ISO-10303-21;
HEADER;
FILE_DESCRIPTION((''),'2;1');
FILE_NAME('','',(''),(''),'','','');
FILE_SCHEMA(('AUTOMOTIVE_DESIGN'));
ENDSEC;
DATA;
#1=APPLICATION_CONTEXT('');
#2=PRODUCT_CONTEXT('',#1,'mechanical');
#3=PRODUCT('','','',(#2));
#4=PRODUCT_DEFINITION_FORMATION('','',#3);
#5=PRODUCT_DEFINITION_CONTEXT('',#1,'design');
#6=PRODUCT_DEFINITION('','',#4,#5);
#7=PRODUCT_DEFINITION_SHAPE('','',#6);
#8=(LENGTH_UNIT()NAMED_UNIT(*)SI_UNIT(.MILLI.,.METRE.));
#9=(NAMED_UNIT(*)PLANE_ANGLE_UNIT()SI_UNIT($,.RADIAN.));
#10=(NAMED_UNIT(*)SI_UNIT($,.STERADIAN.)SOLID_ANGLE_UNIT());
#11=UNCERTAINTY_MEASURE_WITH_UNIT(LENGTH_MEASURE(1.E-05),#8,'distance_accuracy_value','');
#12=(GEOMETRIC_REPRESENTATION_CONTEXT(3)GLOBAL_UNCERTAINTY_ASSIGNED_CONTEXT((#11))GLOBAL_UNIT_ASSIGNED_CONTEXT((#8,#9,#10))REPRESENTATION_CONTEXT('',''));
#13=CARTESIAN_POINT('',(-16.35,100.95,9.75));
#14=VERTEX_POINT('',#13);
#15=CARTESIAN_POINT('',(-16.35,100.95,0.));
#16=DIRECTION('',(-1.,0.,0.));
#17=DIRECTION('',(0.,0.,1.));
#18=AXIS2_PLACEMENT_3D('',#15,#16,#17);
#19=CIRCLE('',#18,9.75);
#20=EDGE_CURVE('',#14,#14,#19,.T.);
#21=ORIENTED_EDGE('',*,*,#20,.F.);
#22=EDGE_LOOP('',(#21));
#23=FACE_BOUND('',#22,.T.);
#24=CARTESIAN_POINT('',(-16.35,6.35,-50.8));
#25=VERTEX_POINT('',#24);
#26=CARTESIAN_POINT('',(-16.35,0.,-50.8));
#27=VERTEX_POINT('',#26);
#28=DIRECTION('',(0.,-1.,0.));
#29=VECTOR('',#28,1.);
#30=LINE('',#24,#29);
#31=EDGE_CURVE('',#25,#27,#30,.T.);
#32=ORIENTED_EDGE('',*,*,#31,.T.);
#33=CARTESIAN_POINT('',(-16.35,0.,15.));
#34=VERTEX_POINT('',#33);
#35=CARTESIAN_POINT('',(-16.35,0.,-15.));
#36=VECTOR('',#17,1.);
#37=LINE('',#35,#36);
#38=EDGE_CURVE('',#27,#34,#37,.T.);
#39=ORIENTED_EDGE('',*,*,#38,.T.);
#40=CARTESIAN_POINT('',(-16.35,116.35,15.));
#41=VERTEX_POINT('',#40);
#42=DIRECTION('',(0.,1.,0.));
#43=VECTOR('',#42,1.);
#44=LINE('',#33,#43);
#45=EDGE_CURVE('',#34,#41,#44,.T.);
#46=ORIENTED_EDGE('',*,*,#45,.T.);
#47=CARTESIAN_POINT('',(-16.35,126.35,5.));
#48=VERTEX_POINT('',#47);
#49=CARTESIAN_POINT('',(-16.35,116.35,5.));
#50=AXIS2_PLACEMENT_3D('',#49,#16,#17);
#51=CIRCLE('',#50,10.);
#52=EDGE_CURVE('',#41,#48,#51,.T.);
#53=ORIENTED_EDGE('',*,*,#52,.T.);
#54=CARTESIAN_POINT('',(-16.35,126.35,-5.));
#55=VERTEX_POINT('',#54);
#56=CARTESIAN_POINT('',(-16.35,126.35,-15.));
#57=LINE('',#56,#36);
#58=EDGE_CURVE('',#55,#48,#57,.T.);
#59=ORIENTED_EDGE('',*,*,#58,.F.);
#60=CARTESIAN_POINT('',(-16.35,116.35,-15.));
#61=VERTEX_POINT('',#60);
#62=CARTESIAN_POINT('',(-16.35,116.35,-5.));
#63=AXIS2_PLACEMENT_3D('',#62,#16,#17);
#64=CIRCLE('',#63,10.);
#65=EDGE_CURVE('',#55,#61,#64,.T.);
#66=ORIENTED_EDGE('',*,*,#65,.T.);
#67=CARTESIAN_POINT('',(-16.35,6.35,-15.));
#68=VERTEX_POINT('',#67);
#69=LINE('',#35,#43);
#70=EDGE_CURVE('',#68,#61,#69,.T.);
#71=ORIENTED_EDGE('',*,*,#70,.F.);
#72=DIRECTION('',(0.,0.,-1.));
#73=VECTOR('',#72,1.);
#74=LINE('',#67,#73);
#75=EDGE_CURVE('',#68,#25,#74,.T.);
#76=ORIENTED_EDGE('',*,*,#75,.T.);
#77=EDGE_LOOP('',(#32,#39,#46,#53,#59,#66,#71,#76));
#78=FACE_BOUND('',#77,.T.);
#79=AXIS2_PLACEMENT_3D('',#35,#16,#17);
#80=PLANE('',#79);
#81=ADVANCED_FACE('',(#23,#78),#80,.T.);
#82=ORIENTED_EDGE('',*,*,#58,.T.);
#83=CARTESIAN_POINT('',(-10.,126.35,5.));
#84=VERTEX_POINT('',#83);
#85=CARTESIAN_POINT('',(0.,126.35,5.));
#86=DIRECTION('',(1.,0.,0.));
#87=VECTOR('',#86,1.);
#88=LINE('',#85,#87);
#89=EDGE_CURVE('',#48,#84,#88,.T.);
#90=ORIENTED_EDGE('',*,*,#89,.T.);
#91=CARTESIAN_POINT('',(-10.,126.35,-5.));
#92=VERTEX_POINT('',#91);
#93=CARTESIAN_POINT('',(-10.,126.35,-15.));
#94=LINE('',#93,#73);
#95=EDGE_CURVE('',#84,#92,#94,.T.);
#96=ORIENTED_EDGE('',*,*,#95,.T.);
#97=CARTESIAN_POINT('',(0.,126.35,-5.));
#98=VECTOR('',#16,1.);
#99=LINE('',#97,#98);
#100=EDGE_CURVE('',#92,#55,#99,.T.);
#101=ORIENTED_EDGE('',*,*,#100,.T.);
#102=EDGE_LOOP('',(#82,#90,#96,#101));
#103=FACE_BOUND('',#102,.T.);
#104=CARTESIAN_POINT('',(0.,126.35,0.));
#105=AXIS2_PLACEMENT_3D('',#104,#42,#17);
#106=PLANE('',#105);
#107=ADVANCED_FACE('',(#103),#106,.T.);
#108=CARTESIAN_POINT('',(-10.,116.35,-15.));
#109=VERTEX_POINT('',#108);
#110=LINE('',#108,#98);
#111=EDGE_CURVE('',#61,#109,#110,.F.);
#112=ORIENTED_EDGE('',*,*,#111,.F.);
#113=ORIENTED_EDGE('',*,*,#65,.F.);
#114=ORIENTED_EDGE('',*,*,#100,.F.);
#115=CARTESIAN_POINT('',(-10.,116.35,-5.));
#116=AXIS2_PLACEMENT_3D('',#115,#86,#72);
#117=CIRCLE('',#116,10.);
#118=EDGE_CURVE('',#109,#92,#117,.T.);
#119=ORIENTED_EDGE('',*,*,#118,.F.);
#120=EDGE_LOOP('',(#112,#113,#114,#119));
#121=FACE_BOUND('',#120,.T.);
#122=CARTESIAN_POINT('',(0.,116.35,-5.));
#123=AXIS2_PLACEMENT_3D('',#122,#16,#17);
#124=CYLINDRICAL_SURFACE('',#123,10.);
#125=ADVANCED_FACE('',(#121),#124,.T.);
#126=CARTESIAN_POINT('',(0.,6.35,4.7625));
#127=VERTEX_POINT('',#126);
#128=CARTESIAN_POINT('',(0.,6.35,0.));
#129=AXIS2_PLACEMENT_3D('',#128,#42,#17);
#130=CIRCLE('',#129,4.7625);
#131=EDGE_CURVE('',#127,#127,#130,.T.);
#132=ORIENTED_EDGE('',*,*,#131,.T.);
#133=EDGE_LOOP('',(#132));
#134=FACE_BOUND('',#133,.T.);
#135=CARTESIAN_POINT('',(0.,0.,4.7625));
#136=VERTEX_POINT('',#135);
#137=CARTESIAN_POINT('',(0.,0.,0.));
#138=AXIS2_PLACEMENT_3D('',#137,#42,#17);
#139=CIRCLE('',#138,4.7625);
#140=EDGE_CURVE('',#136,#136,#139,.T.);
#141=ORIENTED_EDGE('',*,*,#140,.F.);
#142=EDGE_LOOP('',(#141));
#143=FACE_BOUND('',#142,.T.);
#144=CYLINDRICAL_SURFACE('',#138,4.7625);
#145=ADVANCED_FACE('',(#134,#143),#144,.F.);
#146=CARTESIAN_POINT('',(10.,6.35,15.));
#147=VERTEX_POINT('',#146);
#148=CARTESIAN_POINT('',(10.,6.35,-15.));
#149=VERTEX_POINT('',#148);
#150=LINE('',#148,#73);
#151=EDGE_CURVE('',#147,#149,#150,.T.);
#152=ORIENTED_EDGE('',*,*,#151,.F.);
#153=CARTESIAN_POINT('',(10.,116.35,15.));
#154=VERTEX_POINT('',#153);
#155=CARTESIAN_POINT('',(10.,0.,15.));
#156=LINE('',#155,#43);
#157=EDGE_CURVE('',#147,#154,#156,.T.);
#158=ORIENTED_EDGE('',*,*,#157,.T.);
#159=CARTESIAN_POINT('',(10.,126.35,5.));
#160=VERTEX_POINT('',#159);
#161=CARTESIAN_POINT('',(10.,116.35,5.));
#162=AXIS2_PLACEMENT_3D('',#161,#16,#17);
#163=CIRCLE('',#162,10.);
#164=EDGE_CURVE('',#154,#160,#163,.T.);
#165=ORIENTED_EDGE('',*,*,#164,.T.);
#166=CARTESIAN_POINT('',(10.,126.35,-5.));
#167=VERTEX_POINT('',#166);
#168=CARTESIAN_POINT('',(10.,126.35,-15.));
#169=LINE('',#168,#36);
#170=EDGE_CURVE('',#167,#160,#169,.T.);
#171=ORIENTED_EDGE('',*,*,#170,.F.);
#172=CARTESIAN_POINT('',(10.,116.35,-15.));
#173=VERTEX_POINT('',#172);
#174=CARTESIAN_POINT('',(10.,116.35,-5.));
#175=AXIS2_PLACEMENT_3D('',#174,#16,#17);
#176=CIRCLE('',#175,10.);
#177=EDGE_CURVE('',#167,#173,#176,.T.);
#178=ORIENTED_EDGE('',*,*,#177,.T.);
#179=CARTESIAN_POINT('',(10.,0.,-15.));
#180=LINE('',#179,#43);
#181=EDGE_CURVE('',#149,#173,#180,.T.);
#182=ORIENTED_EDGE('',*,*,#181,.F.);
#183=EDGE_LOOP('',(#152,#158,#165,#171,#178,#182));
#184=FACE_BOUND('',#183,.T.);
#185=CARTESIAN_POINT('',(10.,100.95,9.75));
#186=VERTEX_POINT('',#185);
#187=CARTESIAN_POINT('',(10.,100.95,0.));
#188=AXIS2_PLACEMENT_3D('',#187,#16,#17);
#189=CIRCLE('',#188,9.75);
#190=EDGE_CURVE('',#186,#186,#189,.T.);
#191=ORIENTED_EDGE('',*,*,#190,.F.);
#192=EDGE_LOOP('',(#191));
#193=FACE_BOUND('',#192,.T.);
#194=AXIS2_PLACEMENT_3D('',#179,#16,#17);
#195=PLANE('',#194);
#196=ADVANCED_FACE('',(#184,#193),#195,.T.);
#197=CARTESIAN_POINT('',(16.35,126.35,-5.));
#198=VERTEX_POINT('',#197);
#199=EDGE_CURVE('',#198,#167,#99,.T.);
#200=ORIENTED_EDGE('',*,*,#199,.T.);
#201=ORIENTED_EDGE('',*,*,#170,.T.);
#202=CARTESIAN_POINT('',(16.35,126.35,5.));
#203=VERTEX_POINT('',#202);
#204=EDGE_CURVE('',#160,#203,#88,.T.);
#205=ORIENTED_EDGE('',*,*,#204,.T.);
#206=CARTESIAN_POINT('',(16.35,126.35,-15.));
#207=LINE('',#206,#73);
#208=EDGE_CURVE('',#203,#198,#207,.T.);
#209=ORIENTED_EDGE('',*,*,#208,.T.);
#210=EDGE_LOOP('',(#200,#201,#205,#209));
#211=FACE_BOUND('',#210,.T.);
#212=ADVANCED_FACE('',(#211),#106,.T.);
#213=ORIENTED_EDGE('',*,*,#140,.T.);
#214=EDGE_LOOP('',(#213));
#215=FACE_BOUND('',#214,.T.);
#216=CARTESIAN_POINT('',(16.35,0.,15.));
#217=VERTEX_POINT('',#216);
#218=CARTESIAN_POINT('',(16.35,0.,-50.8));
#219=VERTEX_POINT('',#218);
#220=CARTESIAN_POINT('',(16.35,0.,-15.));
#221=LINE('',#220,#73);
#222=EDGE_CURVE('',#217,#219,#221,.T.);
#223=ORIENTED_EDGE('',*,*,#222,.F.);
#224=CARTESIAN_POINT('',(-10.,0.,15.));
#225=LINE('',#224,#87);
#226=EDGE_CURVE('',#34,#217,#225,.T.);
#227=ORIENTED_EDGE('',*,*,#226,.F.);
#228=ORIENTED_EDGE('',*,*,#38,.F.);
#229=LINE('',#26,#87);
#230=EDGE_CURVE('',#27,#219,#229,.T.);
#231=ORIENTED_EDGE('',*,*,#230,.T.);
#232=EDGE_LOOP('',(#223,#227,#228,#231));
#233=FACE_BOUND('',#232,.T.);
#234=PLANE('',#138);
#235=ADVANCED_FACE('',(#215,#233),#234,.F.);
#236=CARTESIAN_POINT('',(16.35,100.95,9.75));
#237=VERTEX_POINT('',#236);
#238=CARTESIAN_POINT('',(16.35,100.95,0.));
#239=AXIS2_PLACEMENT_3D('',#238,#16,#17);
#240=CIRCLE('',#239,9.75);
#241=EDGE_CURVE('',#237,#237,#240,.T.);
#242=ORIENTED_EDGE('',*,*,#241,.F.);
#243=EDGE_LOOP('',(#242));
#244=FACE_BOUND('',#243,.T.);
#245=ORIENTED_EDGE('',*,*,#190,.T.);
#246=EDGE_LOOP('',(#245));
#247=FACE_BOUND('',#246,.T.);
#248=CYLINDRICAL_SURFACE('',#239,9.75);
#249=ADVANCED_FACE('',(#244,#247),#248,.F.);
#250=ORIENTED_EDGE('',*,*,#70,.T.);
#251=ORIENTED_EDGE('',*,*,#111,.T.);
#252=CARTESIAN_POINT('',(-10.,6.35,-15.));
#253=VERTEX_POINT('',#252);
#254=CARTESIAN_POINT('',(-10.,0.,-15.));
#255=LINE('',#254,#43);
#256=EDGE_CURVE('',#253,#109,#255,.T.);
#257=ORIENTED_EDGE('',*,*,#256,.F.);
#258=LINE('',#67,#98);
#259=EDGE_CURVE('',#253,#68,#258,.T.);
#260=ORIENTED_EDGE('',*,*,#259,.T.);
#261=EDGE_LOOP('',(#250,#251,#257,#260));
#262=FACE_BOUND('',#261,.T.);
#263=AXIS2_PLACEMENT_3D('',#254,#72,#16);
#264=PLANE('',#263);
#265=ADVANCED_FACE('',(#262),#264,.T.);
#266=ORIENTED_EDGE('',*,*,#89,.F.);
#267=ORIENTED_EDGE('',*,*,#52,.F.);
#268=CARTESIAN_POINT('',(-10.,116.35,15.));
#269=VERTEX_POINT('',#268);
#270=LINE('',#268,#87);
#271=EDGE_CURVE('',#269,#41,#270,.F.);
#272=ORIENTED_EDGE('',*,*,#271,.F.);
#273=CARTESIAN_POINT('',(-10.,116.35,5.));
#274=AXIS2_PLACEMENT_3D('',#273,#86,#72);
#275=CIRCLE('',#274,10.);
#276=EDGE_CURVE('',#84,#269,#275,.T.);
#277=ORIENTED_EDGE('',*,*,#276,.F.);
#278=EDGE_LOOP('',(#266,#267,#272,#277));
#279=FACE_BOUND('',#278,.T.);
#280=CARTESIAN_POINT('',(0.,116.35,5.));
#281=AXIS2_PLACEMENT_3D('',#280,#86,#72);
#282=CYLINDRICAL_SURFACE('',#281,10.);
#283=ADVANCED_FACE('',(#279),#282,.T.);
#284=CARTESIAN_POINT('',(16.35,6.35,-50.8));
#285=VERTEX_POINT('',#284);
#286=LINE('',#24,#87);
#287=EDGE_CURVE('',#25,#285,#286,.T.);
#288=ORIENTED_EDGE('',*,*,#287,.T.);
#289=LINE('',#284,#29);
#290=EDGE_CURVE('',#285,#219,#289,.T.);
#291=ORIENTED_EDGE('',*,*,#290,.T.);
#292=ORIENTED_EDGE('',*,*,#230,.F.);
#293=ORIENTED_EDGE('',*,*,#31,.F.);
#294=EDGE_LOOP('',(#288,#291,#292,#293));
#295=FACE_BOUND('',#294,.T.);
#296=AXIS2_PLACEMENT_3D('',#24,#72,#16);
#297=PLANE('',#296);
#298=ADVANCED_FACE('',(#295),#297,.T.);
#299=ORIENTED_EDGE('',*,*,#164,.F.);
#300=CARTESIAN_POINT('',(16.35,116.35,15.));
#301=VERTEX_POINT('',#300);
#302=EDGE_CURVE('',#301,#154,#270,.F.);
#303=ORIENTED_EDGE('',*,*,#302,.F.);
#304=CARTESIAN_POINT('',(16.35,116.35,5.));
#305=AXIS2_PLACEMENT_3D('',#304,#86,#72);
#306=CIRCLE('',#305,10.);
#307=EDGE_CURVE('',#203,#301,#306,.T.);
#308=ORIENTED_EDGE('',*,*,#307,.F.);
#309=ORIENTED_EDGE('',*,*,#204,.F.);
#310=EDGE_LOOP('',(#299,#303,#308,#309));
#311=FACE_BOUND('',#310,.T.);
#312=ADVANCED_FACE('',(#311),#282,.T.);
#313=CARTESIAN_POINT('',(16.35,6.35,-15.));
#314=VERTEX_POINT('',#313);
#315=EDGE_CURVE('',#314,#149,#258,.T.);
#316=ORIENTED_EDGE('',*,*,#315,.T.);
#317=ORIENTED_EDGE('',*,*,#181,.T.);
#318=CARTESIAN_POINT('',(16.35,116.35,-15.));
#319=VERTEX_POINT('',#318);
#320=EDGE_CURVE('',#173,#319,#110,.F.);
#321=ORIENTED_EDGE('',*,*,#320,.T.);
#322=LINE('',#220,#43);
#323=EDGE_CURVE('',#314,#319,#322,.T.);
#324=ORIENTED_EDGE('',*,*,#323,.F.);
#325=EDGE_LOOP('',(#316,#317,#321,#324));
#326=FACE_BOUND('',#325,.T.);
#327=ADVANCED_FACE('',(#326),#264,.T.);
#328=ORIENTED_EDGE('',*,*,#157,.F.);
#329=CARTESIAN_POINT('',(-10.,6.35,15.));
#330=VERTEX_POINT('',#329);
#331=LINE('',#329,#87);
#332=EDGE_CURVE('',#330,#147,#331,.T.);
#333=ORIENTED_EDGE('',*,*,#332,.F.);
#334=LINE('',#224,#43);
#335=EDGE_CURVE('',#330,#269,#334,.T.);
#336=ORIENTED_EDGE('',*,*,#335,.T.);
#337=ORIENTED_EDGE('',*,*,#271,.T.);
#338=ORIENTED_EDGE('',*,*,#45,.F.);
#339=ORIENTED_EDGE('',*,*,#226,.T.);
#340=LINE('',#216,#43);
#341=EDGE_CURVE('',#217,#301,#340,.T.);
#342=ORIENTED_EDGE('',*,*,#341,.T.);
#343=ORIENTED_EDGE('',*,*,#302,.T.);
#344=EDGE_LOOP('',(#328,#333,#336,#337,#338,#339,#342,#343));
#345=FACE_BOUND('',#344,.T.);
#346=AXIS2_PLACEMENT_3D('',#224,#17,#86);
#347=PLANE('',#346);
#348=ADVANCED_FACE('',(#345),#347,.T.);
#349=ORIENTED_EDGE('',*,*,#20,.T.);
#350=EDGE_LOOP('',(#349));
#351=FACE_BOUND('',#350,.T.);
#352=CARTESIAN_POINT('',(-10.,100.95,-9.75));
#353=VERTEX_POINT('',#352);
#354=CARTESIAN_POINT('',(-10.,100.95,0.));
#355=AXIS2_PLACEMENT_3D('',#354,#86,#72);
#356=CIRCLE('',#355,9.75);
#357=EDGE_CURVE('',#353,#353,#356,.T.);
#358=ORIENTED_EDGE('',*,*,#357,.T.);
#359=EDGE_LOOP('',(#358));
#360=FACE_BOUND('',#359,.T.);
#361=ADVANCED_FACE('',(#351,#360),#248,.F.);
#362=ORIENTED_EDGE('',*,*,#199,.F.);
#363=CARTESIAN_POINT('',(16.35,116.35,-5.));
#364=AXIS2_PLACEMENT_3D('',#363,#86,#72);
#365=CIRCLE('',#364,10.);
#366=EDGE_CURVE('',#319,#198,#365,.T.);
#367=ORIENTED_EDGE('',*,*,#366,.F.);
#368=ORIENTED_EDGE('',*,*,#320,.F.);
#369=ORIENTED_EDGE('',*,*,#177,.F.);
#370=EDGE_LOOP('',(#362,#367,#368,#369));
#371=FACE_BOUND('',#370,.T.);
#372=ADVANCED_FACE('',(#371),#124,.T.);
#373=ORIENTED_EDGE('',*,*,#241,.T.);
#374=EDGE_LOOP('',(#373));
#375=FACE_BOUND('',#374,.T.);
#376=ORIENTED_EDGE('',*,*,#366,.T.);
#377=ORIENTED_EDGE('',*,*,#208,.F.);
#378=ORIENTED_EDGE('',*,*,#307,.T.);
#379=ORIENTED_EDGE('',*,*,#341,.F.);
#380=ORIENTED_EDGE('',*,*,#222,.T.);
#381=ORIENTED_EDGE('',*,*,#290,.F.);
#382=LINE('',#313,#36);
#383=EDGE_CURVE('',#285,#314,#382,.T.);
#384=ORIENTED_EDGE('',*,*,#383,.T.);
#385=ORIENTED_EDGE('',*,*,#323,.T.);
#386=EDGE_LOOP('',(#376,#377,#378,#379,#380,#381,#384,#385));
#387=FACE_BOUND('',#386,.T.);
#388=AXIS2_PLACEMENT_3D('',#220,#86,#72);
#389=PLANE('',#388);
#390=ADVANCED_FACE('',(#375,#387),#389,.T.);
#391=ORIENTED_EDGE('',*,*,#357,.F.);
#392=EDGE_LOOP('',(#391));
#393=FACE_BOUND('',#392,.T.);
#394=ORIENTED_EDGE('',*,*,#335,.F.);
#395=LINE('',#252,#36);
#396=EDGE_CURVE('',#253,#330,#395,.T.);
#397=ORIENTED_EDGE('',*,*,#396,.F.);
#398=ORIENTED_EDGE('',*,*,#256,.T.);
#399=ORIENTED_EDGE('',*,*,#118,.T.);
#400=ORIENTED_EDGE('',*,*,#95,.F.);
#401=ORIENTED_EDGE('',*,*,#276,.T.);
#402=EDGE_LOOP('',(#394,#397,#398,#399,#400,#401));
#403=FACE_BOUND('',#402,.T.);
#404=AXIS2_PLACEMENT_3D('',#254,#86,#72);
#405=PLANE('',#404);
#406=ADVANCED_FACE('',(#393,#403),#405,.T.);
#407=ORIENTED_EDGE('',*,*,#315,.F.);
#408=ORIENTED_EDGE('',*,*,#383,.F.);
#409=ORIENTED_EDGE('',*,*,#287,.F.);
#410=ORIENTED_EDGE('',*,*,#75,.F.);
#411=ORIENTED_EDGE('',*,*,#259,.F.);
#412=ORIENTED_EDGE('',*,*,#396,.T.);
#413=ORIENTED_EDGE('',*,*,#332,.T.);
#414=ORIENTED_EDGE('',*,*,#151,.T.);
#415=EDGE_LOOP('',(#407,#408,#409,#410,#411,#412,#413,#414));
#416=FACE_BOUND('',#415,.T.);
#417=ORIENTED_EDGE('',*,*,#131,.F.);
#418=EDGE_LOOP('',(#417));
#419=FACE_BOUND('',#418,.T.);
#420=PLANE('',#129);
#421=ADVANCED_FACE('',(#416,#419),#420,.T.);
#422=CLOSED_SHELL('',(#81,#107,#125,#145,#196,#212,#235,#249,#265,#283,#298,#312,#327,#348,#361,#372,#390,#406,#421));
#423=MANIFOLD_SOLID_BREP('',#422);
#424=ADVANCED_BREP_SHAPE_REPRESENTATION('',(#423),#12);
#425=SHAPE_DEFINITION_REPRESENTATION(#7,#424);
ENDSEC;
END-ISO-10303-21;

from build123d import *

# Parameters (mm, degrees)
SKETCH1_R                = 10
BOSS_EXTRUDE1_DEPTH      = 6.35
SKETCH5_W                = 20
SKETCH5_H                = 30
BOSS_EXTRUDE2_DEPTH      = 6.35
SKETCH7_W                = 6.35
SKETCH7_H                = 30
BOSS_EXTRUDE3_DEPTH      = 120
BOSS_EXTRUDE3_DEPTH_BACK = 6.35
SKETCH8_R                = 9.75
CUT_EXTRUDE2_DEPTH       = 33.7
SKETCH2_R                = 4.7625
CUT_EXTRUDE1_DEPTH       = 7.35
FILLET2_R                = 10
SKETCH11_W               = 32.7
SKETCH11_H               = 35.8
BOSS_EXTRUDE5_DEPTH      = 6.35


with BuildPart() as part:
    # Sketch1 → Boss-Extrude1 (new body)
    with BuildSketch(Plane(origin=(0, 0, 0), x_dir=(1, 0, 0), z_dir=(0, 1, 0))):
        Circle(SKETCH1_R)
    extrude(amount=BOSS_EXTRUDE1_DEPTH)

    # Sketch5 → Boss-Extrude2 (add)
    with BuildSketch(Plane(origin=(0, 6.35, 0), x_dir=(1, 0, 0), z_dir=(0, 1, 0))):
        Rectangle(SKETCH5_W, SKETCH5_H)
    extrude(amount=-BOSS_EXTRUDE2_DEPTH)

    # Sketch7 → Boss-Extrude3 (add, two sides)
    with BuildSketch(Plane(origin=(0, 6.35, 0), x_dir=(1, 0, 0), z_dir=(0, 1, 0))) as boss_extrude3_sk:
        with Locations((-13.175, 0)):
            Rectangle(SKETCH7_W, SKETCH7_H)
        with Locations((13.175, 0)):
            Rectangle(SKETCH7_W, SKETCH7_H)
    extrude(amount=BOSS_EXTRUDE3_DEPTH)
    extrude(boss_extrude3_sk.sketch, amount=-BOSS_EXTRUDE3_DEPTH_BACK)

    # Sketch8 → Cut-Extrude2 (cut, through all)
    with BuildSketch(Plane.ZY.offset(16.35)):
        with Locations((0, 100.95)):
            Circle(SKETCH8_R)
    extrude(amount=-CUT_EXTRUDE2_DEPTH, mode=Mode.SUBTRACT)

    # Sketch2 → Cut-Extrude1 (cut, through all)
    with BuildSketch(Plane(origin=(0, 6.35, 0), x_dir=(1, 0, 0), z_dir=(0, 1, 0))):
        Circle(SKETCH2_R)
    extrude(amount=-CUT_EXTRUDE1_DEPTH, mode=Mode.SUBTRACT)

    # Fillet2
    fillet2_edges = [part.edges().sort_by_distance(p)[0] for p in [
        (13.175, 126.35, -15),
        (13.175, 126.35, 15),
        (-13.175, 126.35, 15),
        (-13.175, 126.35, -15),
    ]]
    fillet(fillet2_edges, radius=FILLET2_R)

    # Sketch11 → Boss-Extrude5 (add)
    with BuildSketch(Plane.XZ):
        with Locations((0, -32.9)):
            Rectangle(SKETCH11_W, SKETCH11_H)
    extrude(amount=-BOSS_EXTRUDE5_DEPTH)


solid = part.part
